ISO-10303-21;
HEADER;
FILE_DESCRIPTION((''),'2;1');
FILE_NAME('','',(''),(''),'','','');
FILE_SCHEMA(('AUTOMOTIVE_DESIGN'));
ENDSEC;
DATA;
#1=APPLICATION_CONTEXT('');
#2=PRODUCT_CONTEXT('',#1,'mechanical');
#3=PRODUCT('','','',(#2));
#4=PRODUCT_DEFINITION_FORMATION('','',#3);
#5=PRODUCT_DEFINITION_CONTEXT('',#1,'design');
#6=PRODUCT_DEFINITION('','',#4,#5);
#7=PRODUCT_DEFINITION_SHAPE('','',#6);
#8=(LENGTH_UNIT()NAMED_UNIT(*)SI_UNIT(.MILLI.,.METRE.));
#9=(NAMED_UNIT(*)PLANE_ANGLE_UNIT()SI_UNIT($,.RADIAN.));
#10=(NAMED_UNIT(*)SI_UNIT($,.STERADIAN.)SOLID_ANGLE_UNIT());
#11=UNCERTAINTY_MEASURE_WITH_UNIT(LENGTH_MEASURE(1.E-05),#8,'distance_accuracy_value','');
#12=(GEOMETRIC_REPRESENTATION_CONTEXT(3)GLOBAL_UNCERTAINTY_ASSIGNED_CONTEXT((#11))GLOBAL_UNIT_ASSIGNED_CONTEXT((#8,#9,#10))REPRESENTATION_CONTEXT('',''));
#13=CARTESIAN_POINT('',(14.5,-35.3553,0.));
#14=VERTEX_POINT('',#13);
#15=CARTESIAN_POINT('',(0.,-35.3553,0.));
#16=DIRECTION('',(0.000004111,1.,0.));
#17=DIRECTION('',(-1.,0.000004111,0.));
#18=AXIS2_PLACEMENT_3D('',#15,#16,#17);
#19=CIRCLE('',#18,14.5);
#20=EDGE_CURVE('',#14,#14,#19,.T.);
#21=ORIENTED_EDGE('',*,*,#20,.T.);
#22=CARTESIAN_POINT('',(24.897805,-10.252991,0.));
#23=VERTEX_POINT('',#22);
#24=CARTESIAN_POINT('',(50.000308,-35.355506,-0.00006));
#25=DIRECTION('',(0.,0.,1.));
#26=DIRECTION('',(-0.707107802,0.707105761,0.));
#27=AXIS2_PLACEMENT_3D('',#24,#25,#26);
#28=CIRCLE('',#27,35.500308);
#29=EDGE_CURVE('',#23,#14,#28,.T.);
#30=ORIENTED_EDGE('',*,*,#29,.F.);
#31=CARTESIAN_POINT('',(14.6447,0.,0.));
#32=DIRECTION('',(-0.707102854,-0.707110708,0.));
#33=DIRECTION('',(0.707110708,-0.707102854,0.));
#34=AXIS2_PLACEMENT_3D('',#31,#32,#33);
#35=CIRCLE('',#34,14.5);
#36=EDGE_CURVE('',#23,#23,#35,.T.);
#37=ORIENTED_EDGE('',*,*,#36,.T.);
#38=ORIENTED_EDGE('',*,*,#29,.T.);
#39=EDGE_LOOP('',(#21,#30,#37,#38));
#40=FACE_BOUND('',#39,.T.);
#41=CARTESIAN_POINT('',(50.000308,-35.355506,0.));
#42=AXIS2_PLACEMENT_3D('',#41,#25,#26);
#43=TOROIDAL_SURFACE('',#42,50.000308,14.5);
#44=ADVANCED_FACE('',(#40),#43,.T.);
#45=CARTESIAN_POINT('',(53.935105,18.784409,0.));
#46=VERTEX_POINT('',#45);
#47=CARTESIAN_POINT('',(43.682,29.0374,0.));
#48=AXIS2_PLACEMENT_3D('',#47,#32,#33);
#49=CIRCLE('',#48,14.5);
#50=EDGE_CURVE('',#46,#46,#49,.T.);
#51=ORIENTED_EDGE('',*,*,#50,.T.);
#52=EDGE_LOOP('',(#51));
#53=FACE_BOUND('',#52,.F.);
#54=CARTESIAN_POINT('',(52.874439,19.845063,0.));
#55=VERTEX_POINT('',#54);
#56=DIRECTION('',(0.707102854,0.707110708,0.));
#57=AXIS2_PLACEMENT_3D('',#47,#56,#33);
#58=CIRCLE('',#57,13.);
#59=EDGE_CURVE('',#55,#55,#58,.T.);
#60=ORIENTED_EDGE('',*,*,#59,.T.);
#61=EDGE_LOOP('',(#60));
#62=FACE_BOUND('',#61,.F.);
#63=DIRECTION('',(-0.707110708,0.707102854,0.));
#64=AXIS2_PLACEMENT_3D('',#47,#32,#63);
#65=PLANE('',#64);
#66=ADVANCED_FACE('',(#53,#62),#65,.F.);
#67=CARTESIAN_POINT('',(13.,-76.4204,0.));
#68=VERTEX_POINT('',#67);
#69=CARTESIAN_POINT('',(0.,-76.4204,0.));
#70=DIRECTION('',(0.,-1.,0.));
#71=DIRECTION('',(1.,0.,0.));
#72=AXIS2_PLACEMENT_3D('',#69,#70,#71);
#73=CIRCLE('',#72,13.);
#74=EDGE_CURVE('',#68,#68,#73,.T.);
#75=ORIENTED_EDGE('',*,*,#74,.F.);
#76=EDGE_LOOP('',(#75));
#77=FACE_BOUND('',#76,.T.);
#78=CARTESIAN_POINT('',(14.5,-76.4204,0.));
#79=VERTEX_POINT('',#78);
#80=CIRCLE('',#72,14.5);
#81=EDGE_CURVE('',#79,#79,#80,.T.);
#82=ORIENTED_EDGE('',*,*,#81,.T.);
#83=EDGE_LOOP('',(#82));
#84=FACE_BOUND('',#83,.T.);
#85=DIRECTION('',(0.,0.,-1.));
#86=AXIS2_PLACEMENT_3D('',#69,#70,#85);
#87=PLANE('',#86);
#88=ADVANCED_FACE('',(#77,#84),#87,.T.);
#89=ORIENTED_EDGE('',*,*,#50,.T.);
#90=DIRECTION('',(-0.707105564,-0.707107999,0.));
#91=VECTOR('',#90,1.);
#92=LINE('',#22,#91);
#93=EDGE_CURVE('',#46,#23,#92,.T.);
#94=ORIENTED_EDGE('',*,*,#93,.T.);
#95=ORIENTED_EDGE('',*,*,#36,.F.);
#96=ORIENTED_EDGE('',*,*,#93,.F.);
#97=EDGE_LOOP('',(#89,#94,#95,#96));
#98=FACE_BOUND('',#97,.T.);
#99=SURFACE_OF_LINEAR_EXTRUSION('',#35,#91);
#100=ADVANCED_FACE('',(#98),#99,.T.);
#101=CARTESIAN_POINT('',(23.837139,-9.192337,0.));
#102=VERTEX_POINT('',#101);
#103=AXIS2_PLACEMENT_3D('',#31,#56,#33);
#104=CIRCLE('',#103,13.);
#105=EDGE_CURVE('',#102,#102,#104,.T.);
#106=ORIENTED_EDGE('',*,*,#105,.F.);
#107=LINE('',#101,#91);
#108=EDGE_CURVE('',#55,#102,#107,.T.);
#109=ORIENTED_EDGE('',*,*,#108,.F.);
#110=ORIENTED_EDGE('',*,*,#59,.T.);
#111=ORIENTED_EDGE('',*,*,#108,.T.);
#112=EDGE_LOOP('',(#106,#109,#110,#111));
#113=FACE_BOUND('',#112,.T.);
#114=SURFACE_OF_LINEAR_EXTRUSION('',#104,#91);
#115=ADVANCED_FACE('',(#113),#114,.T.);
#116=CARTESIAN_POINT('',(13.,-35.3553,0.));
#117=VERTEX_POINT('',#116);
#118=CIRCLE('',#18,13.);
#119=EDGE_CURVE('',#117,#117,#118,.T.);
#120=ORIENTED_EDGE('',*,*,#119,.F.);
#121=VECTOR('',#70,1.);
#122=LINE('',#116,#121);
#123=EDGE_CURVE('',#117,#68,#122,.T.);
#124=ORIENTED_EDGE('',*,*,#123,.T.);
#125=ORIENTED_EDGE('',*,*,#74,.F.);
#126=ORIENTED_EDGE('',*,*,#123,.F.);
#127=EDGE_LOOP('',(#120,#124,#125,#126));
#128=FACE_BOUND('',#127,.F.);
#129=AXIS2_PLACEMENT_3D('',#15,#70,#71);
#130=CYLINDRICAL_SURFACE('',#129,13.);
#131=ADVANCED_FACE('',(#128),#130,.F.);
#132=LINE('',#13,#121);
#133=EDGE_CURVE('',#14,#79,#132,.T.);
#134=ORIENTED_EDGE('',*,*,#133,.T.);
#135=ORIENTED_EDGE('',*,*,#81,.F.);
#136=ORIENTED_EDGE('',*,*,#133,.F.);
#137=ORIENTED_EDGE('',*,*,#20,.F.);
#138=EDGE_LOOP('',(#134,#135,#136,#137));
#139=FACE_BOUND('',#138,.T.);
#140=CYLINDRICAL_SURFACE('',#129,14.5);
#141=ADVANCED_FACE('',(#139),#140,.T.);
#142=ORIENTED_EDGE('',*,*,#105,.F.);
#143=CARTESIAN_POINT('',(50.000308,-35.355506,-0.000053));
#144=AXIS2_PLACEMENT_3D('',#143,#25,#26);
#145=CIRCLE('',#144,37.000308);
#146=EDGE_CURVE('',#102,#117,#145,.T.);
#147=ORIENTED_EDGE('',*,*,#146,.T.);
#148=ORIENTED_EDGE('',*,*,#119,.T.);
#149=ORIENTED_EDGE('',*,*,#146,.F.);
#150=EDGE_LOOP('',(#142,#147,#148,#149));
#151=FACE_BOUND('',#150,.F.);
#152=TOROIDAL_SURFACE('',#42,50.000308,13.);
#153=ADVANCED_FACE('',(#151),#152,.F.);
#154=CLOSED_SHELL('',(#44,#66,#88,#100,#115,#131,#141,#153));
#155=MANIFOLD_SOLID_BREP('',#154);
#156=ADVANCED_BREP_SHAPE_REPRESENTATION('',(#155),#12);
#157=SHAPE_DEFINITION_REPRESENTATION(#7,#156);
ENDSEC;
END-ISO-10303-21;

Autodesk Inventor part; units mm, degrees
ref_plane "YZ Plane" through (0, 0, 0) normal (1, 0, 0) x (0, 1, 0)
ref_plane "XZ Plane" through (0, 0, 0) normal (0, 1, 0) x (-1, 0, 0)
sketch "Szkic6" plane through (0, 0, 0) normal (0, 0, 1) x (1, 0, 0)
  line L0 (-29.6067, 0) -> (35.2678, 0) construction
  line L1 (0, 42.3419) -> (0, -58.3726) construction
  arc A0 (14.6447, 0) -> (0, -35.3553) centre (50, -35.3553) ccw
  line L2 (0, -35.3553) -> (50, -35.3553) construction
  line L3 (50, -35.3553) -> (3.6611, 10.9836) construction
  line L4 (14.6447, 0) -> (43.682, 29.0374)
  line L5 (0, -35.3553) -> (0, -76.4204)
  point P0 (0, 0)
  dimension "d24" = 50
  dimension "d31" = 45
  dimension "d36" = 41.065
  dimension "d37" = 41.065
ref_plane "Płaszczyzna konstrukcyjna2" through (0, -35.3553, 0) normal (0, -1, 0) x (1, 0, 0)
sketch "Szkic8" plane through (0, -35.3553, 0) normal (0, -1, 0) x (1, 0, 0)
  circle A0 centre (0, 0) radius 14.5
  circle A1 centre (0, 0) radius 13
  dimension "d32" = 29
  dimension "d33" = 1.5
sweep "Przeciągnięcie2" add profiles "Szkic8" path "Szkic6"
equation "\"d32\" = OD"
equation "\"d33\" = THK"
equation "\"d24\" = R"
equation "\"d31\" = KAT"
equation "\"d36\" = PROSTKA"
equation "\"d37\" = PROSTKA"
equation "\"SzerokośćGięciaPodcięcia\" = Grubość"
equation "\"RozmiarPodcięciaNarożnika\" = 4 * Grubość"
equation "\"PromieńPrzejścia\" = PromieńGięcia"
equation "\"Rozmiar_promienia_Jacobiego\" = PromieńGięcia"
equation "\"Wielk_odstępu\" = Grubość"
equation "\"d2\" = PromieńGięcia"
equation "\"d23\" = PromieńGięcia"
equation "\"R\" = 50"
equation "\"OD\" = 29"
equation "\"THK\" = 1.5"
equation "\"KAT\" = 45deg"
equation "\"PROSTKA\" = 41.06505"
equation "\"Grubość\" = 1.5"
equation "\"PromieńGięcia\" = 3"
properties part number "Kolano 45° ø29x1,5 R50" material "304L"
